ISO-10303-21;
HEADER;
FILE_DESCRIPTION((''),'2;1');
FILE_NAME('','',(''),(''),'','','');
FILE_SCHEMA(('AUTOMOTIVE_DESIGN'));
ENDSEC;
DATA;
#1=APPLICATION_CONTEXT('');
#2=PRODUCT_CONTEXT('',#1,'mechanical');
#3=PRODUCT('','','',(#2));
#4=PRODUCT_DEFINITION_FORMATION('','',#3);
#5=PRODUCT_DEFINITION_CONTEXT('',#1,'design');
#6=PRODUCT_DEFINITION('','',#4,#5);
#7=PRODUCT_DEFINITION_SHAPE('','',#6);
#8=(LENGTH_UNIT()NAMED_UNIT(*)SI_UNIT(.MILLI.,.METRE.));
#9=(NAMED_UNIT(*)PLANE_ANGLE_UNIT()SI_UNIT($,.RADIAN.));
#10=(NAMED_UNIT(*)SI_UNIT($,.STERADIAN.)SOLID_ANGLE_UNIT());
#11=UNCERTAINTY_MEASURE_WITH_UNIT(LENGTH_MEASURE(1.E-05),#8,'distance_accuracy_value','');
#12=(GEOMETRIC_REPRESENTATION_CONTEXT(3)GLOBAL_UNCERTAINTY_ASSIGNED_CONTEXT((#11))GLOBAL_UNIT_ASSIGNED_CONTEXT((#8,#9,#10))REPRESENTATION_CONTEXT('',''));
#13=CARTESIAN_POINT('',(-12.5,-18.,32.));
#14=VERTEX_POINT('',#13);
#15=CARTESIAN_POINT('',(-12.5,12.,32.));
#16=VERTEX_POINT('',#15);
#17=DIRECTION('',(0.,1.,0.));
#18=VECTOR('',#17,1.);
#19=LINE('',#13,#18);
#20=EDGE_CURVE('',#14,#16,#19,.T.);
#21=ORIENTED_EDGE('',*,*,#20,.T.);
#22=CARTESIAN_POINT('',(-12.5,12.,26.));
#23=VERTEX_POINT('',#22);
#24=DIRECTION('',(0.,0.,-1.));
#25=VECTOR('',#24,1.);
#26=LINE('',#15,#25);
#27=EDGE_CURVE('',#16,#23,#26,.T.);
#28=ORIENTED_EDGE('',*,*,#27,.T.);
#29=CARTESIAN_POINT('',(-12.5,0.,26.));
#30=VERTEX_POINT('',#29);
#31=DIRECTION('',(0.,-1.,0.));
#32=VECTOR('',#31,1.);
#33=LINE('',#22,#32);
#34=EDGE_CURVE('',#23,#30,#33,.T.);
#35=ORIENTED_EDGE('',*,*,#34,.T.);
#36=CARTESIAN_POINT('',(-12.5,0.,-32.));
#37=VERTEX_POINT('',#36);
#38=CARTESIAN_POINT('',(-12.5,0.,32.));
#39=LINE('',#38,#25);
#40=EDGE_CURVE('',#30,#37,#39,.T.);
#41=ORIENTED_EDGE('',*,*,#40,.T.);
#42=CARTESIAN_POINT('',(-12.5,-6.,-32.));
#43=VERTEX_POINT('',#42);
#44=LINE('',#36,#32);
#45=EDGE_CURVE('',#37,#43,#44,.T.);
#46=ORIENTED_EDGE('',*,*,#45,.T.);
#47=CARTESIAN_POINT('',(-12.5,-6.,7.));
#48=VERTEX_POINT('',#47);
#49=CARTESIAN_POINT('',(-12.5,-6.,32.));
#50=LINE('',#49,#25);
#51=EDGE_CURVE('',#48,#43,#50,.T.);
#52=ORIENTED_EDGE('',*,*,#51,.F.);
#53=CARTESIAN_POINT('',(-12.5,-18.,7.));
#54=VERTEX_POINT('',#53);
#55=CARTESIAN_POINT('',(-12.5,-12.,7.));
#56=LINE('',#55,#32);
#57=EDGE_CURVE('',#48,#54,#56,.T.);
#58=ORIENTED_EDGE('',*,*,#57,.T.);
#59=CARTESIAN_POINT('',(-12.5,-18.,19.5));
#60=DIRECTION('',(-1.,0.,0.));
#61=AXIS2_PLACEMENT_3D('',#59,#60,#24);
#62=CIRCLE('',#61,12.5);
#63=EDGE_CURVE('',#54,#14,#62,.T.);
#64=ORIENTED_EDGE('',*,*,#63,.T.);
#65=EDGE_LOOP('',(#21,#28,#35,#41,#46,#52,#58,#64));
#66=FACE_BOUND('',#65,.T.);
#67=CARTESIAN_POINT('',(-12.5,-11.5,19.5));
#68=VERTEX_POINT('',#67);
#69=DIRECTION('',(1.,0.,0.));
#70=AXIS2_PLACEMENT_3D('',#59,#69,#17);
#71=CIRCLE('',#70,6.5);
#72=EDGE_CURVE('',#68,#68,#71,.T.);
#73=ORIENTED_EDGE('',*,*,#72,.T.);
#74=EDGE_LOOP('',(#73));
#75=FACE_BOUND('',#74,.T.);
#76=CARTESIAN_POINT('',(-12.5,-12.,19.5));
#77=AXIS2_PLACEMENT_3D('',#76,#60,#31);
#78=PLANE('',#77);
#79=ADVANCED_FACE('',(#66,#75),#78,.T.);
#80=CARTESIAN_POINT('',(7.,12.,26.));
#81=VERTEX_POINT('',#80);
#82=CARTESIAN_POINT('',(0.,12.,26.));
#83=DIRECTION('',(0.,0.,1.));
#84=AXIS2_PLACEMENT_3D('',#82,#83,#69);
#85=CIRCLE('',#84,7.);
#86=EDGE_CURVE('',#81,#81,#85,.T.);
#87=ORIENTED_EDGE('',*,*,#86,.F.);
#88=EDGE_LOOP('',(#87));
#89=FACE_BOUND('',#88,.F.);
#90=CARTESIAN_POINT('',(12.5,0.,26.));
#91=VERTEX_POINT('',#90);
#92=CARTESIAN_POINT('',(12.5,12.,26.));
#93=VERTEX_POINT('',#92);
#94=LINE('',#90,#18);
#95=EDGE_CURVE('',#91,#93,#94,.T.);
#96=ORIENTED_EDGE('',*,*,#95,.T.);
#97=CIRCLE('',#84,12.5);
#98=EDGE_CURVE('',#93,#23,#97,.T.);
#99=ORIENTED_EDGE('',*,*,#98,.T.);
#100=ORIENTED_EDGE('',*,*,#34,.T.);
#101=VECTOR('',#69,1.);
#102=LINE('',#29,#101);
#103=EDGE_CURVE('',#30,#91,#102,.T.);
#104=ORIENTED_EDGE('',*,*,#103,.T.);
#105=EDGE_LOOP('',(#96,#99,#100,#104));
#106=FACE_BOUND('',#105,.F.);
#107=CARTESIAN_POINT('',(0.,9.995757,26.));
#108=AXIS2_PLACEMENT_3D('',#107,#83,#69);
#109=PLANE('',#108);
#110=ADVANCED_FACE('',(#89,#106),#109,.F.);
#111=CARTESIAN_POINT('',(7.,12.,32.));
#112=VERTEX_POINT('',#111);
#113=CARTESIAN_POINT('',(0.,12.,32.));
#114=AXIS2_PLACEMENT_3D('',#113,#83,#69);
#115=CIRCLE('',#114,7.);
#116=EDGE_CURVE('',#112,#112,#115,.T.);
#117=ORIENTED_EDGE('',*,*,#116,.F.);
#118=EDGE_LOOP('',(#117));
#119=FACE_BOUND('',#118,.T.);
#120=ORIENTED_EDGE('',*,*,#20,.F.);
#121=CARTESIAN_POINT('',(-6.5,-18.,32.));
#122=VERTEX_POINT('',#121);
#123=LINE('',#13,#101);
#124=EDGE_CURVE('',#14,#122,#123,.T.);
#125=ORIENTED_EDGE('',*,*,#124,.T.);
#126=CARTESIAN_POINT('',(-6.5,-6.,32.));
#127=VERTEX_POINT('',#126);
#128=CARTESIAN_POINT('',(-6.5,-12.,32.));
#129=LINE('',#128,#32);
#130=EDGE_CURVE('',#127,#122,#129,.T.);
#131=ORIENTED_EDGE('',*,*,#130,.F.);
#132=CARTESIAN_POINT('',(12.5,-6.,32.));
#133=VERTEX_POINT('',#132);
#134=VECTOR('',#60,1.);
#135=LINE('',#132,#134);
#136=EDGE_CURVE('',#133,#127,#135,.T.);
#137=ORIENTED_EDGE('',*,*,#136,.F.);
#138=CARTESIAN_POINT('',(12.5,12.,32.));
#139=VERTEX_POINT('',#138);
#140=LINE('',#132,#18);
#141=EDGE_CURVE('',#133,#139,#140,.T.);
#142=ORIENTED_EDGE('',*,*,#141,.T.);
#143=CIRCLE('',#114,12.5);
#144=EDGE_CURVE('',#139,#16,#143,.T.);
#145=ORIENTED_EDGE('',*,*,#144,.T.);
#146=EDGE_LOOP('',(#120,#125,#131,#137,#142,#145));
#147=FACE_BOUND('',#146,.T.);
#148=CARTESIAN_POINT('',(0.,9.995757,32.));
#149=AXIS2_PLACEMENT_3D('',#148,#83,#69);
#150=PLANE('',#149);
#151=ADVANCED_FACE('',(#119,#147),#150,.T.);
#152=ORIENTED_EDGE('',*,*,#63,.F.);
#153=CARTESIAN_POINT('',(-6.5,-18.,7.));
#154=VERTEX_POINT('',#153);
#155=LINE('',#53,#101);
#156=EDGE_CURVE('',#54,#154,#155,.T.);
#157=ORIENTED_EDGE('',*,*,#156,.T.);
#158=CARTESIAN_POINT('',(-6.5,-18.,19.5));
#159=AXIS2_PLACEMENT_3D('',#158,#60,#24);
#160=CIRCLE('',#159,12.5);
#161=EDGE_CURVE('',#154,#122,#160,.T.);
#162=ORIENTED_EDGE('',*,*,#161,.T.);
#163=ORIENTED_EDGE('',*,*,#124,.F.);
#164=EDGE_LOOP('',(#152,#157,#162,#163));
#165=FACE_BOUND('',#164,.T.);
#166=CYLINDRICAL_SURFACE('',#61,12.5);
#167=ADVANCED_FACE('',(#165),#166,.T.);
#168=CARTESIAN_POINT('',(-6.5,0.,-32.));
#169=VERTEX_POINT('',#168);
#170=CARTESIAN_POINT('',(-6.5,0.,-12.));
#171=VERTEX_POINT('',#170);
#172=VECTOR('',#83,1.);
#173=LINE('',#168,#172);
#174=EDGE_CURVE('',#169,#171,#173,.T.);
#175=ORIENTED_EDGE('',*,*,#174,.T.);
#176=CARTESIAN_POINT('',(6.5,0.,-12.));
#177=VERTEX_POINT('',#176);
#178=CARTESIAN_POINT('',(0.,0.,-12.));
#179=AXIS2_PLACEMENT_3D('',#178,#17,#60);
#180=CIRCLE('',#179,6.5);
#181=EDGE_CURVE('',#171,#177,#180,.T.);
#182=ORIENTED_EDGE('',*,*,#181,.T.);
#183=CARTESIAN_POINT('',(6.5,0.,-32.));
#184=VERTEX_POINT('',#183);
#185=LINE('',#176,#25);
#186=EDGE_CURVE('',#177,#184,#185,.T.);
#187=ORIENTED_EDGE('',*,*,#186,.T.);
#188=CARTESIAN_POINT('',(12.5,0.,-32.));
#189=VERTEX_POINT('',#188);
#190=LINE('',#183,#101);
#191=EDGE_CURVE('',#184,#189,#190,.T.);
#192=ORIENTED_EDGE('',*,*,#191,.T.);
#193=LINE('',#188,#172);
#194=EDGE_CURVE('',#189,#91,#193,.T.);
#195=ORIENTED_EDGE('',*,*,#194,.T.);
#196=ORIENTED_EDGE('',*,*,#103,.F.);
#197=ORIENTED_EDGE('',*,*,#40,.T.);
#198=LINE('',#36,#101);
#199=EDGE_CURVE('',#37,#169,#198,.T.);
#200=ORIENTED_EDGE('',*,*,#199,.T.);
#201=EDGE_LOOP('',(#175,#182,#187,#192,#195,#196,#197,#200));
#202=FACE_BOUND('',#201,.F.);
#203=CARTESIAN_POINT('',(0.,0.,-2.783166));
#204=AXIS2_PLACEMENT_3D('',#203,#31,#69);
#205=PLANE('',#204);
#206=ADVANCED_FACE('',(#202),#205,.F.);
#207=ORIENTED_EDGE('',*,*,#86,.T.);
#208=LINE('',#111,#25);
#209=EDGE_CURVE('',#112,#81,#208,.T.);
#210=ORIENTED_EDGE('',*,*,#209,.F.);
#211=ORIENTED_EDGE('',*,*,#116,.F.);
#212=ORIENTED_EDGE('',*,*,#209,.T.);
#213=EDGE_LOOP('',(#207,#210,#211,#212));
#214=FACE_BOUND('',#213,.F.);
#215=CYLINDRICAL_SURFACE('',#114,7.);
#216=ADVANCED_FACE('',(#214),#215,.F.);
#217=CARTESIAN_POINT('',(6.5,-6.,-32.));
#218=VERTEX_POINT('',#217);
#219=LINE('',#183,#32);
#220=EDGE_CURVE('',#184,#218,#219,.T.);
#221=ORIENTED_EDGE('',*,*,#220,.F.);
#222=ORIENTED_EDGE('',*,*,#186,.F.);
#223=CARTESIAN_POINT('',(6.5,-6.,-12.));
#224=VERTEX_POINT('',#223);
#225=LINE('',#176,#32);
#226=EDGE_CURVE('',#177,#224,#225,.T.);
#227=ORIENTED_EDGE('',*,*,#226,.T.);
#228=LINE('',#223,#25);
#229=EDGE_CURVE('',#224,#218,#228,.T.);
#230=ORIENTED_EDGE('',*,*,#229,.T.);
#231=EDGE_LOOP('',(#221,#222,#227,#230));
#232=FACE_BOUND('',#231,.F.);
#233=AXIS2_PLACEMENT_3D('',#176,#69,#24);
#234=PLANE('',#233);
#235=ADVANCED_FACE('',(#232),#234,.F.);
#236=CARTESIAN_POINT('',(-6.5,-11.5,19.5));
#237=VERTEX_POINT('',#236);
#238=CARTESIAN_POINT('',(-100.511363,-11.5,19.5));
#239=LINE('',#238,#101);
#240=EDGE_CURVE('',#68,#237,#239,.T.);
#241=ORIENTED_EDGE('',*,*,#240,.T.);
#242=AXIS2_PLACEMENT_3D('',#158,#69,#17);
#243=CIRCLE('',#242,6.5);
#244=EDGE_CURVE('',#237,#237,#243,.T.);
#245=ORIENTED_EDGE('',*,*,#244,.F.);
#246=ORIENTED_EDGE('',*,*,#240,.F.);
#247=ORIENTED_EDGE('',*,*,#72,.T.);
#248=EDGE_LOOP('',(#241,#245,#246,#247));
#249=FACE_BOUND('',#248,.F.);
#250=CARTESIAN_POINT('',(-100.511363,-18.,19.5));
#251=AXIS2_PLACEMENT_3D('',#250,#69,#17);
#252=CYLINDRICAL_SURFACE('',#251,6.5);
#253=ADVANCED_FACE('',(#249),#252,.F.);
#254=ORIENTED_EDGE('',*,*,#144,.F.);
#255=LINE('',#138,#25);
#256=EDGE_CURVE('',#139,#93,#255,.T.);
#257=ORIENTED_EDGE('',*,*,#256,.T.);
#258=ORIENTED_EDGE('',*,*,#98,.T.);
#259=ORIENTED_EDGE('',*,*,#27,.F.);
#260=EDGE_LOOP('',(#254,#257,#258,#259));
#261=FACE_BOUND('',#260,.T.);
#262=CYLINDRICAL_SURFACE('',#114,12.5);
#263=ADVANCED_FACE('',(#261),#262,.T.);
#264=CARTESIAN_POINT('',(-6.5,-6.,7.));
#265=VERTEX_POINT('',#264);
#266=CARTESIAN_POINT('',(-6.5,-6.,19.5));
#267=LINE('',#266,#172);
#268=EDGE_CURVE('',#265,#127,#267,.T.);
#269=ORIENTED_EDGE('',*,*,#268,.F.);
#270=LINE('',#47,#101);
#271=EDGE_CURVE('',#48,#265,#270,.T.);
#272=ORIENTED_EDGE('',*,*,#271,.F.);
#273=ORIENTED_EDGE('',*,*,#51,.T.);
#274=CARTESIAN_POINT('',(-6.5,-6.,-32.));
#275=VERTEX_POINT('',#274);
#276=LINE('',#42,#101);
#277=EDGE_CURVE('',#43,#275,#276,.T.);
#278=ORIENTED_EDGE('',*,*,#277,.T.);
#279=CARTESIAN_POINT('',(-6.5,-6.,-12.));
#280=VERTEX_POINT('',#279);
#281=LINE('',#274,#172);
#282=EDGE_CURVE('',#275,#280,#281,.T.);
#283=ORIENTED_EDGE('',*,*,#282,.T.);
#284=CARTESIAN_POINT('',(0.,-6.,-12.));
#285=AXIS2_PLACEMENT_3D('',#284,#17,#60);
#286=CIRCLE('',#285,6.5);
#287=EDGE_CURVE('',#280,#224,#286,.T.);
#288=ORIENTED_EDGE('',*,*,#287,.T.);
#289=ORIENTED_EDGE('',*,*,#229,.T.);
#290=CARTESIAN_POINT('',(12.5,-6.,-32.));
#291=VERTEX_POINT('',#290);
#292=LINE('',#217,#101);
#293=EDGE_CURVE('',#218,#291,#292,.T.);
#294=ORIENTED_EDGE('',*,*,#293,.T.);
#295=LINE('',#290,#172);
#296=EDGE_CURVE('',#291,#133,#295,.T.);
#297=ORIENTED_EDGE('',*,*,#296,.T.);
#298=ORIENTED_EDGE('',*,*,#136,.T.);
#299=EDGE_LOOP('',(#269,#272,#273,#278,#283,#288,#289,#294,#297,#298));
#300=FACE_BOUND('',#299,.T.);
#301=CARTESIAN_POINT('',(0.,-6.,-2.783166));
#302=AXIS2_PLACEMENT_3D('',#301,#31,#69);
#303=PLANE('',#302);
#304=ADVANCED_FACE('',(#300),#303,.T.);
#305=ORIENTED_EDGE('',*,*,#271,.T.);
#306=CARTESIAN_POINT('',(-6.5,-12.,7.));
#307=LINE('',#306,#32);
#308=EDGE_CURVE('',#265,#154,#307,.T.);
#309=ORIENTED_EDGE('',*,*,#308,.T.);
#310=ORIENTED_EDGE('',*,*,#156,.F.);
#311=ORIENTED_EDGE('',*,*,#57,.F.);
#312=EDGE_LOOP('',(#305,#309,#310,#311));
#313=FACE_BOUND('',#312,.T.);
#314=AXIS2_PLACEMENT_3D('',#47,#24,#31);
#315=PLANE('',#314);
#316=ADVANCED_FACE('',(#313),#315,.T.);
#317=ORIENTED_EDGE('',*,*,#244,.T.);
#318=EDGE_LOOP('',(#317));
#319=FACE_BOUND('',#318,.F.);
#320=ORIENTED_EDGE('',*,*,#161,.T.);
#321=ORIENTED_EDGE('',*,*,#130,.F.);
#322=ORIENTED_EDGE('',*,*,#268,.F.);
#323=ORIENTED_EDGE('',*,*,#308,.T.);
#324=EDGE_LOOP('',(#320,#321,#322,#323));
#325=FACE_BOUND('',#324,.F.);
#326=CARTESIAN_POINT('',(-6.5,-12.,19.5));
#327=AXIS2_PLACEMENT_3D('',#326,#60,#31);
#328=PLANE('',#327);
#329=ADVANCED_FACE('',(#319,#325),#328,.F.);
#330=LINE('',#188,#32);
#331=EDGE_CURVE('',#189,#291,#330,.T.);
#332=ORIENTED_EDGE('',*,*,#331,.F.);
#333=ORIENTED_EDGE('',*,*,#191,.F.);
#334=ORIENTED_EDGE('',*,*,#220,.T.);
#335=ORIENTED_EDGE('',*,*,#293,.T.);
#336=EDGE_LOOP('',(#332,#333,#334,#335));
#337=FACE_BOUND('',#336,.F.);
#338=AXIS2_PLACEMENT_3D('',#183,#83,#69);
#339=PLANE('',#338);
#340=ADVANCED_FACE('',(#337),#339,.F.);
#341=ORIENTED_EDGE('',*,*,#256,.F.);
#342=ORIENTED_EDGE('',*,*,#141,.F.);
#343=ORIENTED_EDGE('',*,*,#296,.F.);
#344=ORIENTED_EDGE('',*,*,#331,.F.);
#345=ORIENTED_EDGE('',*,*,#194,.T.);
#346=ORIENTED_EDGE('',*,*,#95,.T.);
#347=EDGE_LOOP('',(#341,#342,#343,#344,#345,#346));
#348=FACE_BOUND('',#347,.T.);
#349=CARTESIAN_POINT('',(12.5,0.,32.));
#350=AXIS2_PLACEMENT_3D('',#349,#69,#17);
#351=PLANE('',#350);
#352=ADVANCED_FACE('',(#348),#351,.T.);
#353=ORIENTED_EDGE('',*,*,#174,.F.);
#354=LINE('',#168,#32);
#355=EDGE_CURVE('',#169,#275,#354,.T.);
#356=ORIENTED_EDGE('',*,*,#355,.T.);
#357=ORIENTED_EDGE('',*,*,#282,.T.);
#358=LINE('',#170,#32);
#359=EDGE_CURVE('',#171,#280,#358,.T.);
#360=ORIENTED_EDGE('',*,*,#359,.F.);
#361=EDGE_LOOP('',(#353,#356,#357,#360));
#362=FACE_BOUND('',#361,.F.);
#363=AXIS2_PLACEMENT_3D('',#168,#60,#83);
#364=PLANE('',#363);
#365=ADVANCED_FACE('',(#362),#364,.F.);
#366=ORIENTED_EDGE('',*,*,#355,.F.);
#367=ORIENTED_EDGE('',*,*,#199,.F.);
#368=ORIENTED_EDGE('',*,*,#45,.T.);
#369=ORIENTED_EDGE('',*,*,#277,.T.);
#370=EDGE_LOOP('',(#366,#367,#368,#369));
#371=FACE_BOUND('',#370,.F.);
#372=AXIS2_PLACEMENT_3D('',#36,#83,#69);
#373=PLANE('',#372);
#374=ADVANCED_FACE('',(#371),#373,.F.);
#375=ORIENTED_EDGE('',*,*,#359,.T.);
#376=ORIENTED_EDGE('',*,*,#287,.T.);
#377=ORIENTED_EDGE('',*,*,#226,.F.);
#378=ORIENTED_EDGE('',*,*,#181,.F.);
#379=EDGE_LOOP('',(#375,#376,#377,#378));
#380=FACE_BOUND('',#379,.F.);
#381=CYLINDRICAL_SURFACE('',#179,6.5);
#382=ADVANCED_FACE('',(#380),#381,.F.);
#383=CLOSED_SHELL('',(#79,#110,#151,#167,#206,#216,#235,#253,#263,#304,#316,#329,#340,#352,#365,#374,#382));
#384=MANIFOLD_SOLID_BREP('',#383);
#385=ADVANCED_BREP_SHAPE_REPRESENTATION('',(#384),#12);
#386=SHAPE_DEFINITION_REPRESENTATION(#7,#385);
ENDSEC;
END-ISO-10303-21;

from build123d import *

# Parameters (mm, degrees)
F1_DEPTH = 6
F2_R     = 7
F3_DEPTH = 6
F4_W     = 12
F4_H     = 25
F5_DEPTH = 6
F6_D     = 13


with BuildPart() as f1:
    # F0 (on Front) → F1 (new body)
    with BuildSketch(Plane.XZ):
        with BuildLine():
            Line((6.5, -32), (12.5, -32))
            Line((12.5, -32), (12.5, 32))
            Line((12.5, 32), (-12.5, 32))
            Line((-12.5, 32), (-12.5, -32))
            Line((-12.5, -32), (-6.5, -32))
            Line((-6.5, -32), (-6.5, -12))
            ThreePointArc((-6.5, -12), (0, -5.5), (6.5, -12))
            Line((6.5, -12), (6.5, -32))
        make_face()
    extrude(amount=F1_DEPTH)

    # F2 (on face) → F3 (join)
    with BuildSketch(Plane.XY.offset(32)):
        with BuildLine():
            Line((-12.5, 0), (12.5, 0))
            Line((12.5, 0), (12.5, 12))
            ThreePointArc((12.5, 12), (0, 24.5), (-12.5, 12))
            Line((-12.5, 12), (-12.5, 0))
        make_face()
        with Locations((0, 12)):
            Circle(F2_R, mode=Mode.SUBTRACT)
    extrude(amount=-F3_DEPTH)

    # F4 (on face) → F5 (join)
    with BuildSketch(Plane(origin=(-12.5, 0, 0), x_dir=(0, -1, 0), z_dir=(-1, 0, 0))):
        with Locations((12, 19.5)):
            Rectangle(F4_W, F4_H)
        with BuildLine():
            ThreePointArc((18, 7), (30.5, 19.5), (18, 32))
            Line((18, 32), (18, 7))
        make_face()
    extrude(amount=-F5_DEPTH)

    # F6 (through all)
    with Locations(Plane(origin=(-12.5, 0, 0), x_dir=(0, -1, 0), z_dir=(-1, 0, 0))):
        with Locations((18, 19.5)):
            Hole(F6_D / 2)


solid = f1.part
